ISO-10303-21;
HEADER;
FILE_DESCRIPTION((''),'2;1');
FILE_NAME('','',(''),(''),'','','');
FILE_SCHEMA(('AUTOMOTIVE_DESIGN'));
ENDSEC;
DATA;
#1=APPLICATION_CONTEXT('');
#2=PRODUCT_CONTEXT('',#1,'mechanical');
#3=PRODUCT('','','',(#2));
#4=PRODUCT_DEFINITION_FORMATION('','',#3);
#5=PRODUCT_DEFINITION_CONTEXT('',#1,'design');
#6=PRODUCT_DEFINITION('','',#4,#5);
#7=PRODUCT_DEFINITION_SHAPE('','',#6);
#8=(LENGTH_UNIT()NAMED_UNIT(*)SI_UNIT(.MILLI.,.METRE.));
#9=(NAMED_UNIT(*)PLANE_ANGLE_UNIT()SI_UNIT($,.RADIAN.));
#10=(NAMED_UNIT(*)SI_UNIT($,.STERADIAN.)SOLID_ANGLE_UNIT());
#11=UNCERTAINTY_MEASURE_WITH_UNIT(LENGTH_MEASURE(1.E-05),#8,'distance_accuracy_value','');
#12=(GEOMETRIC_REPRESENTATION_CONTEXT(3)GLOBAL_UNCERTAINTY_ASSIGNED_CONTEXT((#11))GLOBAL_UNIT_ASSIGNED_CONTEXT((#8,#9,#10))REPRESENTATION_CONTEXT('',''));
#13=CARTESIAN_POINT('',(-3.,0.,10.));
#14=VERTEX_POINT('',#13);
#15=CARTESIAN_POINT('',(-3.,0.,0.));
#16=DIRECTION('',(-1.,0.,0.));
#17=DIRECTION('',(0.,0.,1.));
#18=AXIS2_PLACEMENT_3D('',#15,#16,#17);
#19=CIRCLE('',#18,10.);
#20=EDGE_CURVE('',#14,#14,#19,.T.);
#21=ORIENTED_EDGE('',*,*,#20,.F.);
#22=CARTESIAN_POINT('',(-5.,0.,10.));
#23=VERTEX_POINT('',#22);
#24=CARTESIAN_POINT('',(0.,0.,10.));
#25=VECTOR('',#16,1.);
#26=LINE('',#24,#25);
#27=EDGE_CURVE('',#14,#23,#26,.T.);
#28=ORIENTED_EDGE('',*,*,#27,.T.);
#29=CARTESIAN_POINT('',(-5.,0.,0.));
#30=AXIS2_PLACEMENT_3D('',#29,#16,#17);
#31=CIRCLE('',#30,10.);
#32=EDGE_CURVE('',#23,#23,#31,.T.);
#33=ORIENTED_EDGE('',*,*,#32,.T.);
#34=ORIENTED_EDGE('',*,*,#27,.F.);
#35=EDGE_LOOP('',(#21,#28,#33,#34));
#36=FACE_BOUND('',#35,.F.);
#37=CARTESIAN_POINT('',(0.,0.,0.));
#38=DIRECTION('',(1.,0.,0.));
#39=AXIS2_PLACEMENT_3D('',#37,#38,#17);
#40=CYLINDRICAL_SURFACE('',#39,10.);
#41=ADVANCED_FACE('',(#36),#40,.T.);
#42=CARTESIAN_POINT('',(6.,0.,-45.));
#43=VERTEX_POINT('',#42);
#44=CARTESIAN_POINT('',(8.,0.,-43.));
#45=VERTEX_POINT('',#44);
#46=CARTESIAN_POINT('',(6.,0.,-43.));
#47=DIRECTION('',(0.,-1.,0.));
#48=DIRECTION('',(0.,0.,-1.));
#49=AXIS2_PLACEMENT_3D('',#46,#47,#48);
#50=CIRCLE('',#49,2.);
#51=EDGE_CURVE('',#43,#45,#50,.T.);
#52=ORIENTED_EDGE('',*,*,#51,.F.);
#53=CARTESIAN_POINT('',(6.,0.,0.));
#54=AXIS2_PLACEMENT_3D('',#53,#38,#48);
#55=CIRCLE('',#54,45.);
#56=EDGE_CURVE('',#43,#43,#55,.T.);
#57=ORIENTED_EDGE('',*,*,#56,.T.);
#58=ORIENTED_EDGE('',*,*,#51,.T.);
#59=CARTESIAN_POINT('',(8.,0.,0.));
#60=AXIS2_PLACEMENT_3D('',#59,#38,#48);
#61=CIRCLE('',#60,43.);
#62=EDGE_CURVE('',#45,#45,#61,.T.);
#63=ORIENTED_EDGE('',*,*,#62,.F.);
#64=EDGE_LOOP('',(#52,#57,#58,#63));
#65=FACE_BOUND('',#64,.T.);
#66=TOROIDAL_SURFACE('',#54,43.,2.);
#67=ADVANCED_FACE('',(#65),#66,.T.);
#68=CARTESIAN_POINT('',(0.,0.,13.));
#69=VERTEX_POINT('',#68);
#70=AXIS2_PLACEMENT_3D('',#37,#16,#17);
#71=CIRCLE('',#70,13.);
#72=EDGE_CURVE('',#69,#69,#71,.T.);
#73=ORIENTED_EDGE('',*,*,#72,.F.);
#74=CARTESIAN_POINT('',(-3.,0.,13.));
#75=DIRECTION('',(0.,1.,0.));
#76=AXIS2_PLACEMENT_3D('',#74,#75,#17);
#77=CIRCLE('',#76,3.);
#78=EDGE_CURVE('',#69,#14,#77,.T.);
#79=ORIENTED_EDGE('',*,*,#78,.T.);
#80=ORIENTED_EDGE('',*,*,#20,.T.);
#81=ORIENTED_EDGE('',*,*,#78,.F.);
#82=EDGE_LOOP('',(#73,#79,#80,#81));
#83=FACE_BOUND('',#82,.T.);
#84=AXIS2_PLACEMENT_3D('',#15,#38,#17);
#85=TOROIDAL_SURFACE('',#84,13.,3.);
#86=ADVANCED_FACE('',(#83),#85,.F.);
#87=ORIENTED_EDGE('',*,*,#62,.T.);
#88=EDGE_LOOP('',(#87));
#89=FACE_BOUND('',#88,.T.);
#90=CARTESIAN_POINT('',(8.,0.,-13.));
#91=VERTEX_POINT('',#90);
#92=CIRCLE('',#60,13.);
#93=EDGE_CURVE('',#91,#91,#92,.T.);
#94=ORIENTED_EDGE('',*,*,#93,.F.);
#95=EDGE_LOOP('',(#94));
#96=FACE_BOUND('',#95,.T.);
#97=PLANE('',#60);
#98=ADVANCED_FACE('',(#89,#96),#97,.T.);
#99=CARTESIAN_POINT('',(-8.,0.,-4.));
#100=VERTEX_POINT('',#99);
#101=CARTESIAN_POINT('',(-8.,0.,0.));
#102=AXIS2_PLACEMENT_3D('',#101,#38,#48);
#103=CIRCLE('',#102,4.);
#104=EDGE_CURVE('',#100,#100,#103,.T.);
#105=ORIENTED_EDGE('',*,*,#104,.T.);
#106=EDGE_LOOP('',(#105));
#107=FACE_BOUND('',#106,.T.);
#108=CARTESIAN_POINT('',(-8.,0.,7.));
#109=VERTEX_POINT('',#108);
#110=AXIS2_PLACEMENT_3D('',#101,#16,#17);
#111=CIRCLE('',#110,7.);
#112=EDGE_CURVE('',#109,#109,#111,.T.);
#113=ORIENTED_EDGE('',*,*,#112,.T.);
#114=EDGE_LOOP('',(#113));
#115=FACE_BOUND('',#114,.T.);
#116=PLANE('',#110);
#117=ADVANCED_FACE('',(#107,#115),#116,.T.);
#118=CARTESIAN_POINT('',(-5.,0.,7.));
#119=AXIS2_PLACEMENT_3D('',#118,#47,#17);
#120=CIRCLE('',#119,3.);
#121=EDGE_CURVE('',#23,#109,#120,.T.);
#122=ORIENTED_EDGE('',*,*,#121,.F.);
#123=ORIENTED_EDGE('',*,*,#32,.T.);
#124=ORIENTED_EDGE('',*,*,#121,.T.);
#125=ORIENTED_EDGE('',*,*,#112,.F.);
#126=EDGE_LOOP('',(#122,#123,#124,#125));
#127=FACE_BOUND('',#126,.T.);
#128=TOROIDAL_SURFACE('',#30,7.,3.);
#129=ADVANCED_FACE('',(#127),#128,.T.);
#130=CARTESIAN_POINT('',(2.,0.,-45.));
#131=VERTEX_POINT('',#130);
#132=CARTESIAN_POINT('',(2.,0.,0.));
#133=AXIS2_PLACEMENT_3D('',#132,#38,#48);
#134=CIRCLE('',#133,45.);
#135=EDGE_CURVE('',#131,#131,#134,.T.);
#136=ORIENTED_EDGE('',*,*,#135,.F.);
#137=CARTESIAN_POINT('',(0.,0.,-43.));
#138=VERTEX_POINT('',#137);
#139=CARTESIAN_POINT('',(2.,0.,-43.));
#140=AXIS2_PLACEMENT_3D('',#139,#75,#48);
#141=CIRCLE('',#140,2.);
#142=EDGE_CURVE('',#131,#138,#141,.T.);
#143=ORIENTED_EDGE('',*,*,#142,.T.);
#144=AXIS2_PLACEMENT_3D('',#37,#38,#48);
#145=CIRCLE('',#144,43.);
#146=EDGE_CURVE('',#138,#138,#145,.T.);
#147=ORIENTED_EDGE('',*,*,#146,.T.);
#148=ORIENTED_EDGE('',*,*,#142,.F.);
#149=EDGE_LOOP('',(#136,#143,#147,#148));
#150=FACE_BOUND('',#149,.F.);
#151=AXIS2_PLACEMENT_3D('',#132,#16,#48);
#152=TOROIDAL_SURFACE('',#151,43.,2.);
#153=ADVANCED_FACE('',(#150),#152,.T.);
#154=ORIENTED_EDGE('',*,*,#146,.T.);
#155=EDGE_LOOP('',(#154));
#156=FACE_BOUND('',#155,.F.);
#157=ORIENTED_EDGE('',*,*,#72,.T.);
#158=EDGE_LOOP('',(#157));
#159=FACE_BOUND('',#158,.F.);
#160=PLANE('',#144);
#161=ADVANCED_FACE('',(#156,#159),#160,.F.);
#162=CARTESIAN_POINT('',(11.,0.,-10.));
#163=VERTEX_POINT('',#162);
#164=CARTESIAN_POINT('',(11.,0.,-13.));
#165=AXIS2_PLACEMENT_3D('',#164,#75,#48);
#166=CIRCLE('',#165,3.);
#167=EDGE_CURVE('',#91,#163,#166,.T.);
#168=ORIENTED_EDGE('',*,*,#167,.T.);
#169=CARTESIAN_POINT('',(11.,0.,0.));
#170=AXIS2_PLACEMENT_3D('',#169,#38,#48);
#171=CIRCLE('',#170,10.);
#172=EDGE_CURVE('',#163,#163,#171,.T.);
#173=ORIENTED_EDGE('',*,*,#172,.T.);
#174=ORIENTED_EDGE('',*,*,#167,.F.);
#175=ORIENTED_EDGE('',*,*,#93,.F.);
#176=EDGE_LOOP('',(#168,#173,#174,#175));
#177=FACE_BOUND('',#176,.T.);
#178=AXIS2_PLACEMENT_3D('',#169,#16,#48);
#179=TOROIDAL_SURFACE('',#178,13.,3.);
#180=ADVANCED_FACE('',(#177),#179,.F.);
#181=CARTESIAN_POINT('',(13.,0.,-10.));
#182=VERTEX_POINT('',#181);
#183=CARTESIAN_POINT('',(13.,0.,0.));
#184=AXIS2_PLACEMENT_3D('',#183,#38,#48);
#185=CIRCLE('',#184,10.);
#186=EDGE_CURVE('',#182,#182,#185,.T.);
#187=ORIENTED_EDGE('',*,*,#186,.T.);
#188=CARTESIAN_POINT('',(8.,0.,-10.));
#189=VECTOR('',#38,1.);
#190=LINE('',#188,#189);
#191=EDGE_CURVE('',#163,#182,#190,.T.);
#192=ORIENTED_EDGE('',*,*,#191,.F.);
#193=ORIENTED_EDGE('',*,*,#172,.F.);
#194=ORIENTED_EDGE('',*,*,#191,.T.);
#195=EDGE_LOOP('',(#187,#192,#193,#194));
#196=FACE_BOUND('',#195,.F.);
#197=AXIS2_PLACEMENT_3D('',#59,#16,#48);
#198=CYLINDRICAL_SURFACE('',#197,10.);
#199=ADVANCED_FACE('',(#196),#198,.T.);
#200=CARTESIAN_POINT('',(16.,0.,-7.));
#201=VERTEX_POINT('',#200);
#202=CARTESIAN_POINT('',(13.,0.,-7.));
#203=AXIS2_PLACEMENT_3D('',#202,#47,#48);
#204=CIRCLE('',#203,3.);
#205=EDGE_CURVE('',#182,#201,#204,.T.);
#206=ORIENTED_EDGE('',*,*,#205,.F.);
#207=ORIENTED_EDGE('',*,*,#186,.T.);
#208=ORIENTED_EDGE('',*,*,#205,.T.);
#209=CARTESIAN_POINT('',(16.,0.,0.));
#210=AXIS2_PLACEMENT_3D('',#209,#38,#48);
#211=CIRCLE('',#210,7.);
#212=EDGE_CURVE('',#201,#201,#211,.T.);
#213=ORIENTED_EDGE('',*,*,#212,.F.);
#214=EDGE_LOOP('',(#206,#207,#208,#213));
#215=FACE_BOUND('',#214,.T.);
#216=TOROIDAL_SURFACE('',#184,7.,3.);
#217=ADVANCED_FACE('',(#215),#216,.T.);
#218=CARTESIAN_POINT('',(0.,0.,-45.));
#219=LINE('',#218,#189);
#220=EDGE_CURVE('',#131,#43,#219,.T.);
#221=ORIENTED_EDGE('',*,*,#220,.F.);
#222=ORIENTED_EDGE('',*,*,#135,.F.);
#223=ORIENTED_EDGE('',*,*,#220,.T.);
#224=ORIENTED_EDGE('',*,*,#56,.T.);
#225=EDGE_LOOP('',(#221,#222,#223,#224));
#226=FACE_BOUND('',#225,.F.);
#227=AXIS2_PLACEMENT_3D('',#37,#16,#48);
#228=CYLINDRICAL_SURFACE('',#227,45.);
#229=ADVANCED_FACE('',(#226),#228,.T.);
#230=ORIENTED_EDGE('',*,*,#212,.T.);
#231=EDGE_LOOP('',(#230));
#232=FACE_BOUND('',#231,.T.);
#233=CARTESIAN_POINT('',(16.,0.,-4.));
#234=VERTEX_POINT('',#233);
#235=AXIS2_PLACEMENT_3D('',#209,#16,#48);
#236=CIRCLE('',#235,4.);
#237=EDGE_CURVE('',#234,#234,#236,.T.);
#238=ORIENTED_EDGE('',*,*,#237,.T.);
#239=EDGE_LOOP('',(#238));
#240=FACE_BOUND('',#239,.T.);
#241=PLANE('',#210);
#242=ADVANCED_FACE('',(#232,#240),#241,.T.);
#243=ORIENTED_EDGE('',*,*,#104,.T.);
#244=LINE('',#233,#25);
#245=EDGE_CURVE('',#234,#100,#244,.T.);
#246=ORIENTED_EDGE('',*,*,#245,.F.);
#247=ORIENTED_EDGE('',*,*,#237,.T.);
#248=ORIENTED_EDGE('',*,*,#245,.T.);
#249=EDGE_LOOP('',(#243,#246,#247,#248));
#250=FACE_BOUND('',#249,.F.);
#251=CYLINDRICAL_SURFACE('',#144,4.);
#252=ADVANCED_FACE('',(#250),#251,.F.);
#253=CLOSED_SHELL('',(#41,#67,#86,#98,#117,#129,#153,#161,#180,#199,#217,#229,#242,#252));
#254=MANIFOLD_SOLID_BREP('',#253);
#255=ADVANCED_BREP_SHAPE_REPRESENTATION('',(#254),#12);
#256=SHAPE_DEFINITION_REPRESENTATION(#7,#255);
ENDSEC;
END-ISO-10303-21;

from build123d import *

# Parameters (mm, degrees)
SPROCKET_R                    = 45
ESTRUSIONE_ESTRUSIONE2_DEPTH  = 8
SCHIZZO4_R                    = 10
ESTRUSIONE_ESTRUSIONE4_DEPTH  = 8
RACCORDO1_R                   = 2
RACCORDO2_R                   = 3
SCHIZZO7_R                    = 10
ESTRUSIONE_ESTRUSIONE5_DEPTH  = 8
RACCORDO3_R                   = 3
SCHIZZO6_R                    = 4
TAGLIO_ESTRUSIONE4_DEPTH      = 17
TAGLIO_ESTRUSIONE4_DEPTH_BACK = 9


with BuildPart() as part:
    # Sprocket → Estrusione-Estrusione2 (new body)
    with BuildSketch(Plane(origin=(0, 0, 0), x_dir=(0, 0, -1), z_dir=(1, 0, 0))):
        Circle(SPROCKET_R)
    extrude(amount=ESTRUSIONE_ESTRUSIONE2_DEPTH)

    # Schizzo4 → Estrusione-Estrusione4 (add)
    with BuildSketch(Plane(origin=(8, 0, 0), x_dir=(0, 0, -1), z_dir=(1, 0, 0))):
        Circle(SCHIZZO4_R)
    extrude(amount=ESTRUSIONE_ESTRUSIONE4_DEPTH)

    # Raccordo1
    raccordo1_edges = [part.edges().sort_by_distance(p)[0] for p in [
        (0, 0, 45),
        (8, 0, 45),
    ]]
    fillet(raccordo1_edges, radius=RACCORDO1_R)

    # Raccordo2
    raccordo2_edges = [part.edges().sort_by_distance(p)[0] for p in [
        (8, 0, 10),
        (16, 0, 10),
    ]]
    fillet(raccordo2_edges, radius=RACCORDO2_R)

    # Schizzo7 → Estrusione-Estrusione5 (add)
    with BuildSketch(Plane.ZY):
        Circle(SCHIZZO7_R)
    extrude(amount=ESTRUSIONE_ESTRUSIONE5_DEPTH)

    # Raccordo3
    raccordo3_edges = [part.edges().sort_by_distance(p)[0] for p in [
        (0, 0, -10),
        (-8, 0, -10),
    ]]
    fillet(raccordo3_edges, radius=RACCORDO3_R)

    # Schizzo6 → Taglio-Estrusione4 (cut, two sides)
    with BuildSketch(Plane(origin=(0, 0, 0), x_dir=(0, 0, -1), z_dir=(1, 0, 0))) as taglio_estrusione4_sk:
        Circle(SCHIZZO6_R)
    extrude(amount=TAGLIO_ESTRUSIONE4_DEPTH, mode=Mode.SUBTRACT)
    extrude(taglio_estrusione4_sk.sketch, amount=-TAGLIO_ESTRUSIONE4_DEPTH_BACK, mode=Mode.SUBTRACT)


solid = part.part
